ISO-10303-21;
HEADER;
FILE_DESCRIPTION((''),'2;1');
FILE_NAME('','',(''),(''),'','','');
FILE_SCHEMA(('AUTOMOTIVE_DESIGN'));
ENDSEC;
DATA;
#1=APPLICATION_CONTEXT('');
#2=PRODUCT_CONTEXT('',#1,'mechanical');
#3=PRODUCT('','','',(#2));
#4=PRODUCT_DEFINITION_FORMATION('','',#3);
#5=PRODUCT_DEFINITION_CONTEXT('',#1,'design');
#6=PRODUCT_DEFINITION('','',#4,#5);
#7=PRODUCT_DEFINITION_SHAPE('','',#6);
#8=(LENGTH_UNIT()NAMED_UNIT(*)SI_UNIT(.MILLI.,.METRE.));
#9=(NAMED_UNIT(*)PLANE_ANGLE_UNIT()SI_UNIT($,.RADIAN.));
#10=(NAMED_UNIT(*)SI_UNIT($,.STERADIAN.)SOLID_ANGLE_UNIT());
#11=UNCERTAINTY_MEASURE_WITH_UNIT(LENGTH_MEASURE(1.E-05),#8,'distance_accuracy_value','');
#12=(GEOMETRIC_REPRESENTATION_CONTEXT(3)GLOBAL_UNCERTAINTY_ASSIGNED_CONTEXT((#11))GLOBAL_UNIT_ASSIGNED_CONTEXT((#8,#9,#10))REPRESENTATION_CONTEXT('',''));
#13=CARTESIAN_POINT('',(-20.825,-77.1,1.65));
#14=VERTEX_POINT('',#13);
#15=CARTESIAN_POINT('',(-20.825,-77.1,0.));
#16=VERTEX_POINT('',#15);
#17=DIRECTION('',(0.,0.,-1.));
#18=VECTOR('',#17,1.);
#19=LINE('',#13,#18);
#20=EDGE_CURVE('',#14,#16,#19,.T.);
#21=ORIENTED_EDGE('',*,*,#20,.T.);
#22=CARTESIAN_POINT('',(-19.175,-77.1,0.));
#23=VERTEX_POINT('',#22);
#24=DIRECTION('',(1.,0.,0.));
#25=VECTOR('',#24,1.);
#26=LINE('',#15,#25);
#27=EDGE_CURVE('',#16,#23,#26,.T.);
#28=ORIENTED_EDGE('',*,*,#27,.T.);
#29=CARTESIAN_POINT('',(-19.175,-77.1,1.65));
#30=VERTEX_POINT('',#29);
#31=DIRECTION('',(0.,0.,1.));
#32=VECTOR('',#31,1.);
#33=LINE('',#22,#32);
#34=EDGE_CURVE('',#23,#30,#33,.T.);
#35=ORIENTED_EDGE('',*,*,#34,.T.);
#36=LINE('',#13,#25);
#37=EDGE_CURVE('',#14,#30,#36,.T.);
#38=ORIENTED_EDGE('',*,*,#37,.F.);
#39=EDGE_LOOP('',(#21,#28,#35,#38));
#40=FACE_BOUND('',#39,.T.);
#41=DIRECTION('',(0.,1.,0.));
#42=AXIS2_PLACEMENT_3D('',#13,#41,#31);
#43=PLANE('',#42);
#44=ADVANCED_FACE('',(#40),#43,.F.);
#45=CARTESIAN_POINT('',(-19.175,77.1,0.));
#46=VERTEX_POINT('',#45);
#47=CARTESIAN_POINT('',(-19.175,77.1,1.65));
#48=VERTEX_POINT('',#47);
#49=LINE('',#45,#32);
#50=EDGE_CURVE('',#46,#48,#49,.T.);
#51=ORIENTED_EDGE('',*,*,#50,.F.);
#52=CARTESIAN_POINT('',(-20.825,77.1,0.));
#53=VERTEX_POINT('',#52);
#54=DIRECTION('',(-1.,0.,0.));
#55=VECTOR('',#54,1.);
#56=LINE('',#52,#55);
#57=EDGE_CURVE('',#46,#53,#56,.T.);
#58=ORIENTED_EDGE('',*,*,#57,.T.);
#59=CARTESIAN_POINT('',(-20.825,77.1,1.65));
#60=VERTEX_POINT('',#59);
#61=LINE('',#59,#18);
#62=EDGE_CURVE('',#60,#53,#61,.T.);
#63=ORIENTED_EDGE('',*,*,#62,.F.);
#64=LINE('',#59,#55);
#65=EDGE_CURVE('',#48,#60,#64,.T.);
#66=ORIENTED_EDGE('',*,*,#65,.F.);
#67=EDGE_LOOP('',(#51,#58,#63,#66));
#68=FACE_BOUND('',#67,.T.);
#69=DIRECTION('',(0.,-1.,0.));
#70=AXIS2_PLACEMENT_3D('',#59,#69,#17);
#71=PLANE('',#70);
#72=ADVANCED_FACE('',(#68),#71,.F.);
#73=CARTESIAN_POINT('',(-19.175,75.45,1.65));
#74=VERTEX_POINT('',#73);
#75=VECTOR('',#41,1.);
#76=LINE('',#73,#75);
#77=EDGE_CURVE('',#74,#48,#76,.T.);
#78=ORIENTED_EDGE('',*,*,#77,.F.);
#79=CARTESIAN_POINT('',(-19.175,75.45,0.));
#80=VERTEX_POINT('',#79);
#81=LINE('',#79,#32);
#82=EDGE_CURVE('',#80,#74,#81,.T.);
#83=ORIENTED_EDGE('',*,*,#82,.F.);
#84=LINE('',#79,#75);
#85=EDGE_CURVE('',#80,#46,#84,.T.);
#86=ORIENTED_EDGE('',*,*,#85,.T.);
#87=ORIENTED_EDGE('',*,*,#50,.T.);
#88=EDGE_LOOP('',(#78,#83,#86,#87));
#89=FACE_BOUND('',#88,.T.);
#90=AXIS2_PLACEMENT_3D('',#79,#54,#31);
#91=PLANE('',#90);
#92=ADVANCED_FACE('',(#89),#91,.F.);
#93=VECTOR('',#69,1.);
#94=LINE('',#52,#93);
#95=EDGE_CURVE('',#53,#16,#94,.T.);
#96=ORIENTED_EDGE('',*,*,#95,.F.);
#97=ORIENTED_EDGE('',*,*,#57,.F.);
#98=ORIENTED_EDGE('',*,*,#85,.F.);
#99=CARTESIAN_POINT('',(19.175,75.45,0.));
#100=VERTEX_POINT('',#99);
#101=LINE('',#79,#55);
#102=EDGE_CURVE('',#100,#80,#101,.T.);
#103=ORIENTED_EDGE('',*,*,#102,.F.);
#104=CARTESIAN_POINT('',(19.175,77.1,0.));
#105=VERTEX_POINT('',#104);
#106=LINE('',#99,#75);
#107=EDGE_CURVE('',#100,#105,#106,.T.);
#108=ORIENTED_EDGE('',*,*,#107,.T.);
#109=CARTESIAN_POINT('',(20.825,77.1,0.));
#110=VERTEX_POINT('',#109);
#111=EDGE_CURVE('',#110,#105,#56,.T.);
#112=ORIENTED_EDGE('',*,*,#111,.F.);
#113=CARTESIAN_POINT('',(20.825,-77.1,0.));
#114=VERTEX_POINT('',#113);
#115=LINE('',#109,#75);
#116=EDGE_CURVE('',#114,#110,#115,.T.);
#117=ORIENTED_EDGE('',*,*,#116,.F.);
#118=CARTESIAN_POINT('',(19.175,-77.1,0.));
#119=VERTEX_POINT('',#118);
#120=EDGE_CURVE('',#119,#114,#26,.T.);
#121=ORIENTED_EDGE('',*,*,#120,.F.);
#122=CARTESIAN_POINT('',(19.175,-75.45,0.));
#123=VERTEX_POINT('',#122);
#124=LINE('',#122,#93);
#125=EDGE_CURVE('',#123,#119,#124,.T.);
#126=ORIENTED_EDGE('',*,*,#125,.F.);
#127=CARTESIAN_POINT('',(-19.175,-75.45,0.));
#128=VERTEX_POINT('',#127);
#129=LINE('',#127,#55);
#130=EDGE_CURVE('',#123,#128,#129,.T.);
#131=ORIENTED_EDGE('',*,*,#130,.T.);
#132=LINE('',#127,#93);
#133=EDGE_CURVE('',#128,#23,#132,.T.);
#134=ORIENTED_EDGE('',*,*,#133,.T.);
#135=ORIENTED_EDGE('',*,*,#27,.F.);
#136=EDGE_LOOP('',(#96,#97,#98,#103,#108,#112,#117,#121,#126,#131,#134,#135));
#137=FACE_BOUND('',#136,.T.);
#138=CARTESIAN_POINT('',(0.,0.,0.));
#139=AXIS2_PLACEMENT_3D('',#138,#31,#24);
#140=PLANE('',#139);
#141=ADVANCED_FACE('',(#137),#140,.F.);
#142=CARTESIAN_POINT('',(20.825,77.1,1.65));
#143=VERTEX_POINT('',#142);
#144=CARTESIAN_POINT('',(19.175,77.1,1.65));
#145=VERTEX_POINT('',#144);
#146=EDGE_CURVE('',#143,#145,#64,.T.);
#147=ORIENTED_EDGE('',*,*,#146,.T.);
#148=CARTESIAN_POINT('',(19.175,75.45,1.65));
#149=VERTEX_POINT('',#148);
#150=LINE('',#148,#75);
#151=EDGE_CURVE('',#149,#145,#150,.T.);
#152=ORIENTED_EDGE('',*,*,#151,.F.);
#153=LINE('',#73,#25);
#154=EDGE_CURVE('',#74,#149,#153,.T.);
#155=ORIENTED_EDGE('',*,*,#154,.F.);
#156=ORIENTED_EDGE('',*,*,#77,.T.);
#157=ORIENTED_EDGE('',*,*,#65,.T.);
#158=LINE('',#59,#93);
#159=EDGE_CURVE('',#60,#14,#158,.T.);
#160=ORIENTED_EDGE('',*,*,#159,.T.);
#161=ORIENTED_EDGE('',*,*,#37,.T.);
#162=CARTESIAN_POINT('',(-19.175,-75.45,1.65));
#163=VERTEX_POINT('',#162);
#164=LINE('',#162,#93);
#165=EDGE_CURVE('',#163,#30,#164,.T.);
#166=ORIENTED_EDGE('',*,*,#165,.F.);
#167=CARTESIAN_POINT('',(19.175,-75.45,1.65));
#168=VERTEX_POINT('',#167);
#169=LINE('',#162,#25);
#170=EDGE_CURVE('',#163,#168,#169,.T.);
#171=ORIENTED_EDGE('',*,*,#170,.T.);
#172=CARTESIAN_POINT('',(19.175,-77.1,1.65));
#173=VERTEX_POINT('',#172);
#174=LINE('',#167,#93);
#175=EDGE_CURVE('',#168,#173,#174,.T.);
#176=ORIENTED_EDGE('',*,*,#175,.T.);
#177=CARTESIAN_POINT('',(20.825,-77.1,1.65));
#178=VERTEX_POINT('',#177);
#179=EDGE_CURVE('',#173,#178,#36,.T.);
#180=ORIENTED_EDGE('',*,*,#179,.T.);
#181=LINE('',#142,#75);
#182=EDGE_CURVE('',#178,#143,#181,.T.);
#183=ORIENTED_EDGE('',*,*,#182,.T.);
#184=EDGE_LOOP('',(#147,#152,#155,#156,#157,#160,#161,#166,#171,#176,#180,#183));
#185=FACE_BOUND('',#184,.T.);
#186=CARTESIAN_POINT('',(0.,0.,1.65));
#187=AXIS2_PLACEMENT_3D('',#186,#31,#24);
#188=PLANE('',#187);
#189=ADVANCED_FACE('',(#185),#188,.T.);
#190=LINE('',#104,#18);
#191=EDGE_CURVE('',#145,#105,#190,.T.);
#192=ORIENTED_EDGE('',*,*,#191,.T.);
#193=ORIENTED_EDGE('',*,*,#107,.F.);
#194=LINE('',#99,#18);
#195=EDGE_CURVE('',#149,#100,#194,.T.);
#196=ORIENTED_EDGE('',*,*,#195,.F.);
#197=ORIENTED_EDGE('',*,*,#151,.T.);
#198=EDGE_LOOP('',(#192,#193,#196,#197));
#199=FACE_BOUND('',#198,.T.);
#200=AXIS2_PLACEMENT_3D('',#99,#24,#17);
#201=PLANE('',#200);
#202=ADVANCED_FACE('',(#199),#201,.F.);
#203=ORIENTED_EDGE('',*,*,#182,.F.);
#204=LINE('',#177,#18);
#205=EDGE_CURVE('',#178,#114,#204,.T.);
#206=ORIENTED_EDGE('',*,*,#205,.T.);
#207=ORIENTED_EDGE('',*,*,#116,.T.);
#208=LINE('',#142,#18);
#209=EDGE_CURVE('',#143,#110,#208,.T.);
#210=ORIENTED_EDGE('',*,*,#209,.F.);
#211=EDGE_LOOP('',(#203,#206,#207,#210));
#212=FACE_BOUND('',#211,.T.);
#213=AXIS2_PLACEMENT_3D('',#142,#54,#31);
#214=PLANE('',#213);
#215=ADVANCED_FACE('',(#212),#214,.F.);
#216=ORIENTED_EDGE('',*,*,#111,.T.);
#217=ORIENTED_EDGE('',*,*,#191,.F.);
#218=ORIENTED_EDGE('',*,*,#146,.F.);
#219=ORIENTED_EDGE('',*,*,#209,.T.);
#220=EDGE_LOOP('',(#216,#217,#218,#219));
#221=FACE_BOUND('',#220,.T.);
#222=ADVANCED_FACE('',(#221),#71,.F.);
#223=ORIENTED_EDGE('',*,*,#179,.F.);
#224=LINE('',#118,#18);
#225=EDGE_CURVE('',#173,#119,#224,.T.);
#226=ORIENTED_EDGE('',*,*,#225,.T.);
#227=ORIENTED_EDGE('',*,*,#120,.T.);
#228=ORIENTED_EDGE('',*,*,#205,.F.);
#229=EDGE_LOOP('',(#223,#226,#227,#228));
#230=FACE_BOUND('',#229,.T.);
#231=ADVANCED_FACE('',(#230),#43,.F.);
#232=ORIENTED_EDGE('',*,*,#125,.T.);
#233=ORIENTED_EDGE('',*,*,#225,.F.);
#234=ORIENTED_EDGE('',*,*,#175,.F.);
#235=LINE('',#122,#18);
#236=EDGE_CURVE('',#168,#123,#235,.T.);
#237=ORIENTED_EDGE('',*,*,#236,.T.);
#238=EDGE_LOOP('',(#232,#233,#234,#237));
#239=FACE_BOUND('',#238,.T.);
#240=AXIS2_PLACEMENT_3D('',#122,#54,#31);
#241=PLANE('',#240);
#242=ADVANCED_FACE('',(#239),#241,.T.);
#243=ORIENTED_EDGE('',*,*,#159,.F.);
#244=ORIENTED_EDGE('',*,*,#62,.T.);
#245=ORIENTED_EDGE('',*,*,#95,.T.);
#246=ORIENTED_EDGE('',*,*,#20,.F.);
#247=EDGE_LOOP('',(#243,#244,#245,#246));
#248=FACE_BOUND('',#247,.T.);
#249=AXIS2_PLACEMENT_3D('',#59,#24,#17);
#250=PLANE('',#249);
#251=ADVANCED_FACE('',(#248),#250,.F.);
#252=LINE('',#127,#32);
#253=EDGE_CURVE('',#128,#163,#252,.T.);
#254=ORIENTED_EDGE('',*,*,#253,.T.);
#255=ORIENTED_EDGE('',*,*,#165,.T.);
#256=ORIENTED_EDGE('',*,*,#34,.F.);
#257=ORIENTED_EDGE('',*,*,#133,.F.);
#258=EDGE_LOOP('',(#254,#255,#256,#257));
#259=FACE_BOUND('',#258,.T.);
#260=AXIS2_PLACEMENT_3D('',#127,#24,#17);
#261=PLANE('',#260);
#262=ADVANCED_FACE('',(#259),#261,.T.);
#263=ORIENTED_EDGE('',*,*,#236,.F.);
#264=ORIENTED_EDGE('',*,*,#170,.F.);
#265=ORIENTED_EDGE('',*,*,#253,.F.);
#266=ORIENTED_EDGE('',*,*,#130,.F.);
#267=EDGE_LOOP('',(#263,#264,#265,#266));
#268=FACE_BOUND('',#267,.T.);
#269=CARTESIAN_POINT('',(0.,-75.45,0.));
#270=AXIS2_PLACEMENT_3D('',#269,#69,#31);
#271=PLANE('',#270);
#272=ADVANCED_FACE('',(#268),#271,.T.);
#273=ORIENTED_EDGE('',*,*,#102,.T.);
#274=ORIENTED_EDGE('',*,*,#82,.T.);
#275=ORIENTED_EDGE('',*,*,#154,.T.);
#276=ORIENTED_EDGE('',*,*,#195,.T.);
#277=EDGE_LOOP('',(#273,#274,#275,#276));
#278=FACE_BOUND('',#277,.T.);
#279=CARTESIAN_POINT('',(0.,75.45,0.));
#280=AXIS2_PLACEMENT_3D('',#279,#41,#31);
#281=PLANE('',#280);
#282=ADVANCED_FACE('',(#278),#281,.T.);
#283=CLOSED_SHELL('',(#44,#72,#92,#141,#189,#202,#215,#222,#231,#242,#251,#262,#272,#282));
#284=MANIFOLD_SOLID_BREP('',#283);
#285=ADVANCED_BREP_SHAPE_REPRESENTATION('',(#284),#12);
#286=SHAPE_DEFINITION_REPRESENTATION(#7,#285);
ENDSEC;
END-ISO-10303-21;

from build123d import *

# Parameters (mm, degrees)
SKETCH1_W           = 41.65
SKETCH1_H           = 154.2
BOSS_EXTRUDE1_DEPTH = 1.65
SKETCH3_W           = 38.35
SKETCH3_H           = 1.65
CUT_EXTRUDE1_DEPTH  = 1.65


with BuildPart() as part:
    # Sketch1 → Boss-Extrude1 (new body)
    with BuildSketch(Plane.XY):
        Rectangle(SKETCH1_W, SKETCH1_H)
    extrude(amount=BOSS_EXTRUDE1_DEPTH)

    # Sketch3 → Cut-Extrude1 (cut)
    with BuildSketch(Plane(origin=(0, 77.1, 0), x_dir=(1, 0, 0), z_dir=(0, 1, 0))):
        with Locations((0, -0.825)):
            Rectangle(SKETCH3_W, SKETCH3_H)
    cut_extrude1 = extrude(amount=-CUT_EXTRUDE1_DEPTH, mode=Mode.SUBTRACT)

    # Mirror1: Cut-Extrude1 across plane
    add(cut_extrude1.mirror(Plane.ZX), mode=Mode.SUBTRACT)


solid = part.part
